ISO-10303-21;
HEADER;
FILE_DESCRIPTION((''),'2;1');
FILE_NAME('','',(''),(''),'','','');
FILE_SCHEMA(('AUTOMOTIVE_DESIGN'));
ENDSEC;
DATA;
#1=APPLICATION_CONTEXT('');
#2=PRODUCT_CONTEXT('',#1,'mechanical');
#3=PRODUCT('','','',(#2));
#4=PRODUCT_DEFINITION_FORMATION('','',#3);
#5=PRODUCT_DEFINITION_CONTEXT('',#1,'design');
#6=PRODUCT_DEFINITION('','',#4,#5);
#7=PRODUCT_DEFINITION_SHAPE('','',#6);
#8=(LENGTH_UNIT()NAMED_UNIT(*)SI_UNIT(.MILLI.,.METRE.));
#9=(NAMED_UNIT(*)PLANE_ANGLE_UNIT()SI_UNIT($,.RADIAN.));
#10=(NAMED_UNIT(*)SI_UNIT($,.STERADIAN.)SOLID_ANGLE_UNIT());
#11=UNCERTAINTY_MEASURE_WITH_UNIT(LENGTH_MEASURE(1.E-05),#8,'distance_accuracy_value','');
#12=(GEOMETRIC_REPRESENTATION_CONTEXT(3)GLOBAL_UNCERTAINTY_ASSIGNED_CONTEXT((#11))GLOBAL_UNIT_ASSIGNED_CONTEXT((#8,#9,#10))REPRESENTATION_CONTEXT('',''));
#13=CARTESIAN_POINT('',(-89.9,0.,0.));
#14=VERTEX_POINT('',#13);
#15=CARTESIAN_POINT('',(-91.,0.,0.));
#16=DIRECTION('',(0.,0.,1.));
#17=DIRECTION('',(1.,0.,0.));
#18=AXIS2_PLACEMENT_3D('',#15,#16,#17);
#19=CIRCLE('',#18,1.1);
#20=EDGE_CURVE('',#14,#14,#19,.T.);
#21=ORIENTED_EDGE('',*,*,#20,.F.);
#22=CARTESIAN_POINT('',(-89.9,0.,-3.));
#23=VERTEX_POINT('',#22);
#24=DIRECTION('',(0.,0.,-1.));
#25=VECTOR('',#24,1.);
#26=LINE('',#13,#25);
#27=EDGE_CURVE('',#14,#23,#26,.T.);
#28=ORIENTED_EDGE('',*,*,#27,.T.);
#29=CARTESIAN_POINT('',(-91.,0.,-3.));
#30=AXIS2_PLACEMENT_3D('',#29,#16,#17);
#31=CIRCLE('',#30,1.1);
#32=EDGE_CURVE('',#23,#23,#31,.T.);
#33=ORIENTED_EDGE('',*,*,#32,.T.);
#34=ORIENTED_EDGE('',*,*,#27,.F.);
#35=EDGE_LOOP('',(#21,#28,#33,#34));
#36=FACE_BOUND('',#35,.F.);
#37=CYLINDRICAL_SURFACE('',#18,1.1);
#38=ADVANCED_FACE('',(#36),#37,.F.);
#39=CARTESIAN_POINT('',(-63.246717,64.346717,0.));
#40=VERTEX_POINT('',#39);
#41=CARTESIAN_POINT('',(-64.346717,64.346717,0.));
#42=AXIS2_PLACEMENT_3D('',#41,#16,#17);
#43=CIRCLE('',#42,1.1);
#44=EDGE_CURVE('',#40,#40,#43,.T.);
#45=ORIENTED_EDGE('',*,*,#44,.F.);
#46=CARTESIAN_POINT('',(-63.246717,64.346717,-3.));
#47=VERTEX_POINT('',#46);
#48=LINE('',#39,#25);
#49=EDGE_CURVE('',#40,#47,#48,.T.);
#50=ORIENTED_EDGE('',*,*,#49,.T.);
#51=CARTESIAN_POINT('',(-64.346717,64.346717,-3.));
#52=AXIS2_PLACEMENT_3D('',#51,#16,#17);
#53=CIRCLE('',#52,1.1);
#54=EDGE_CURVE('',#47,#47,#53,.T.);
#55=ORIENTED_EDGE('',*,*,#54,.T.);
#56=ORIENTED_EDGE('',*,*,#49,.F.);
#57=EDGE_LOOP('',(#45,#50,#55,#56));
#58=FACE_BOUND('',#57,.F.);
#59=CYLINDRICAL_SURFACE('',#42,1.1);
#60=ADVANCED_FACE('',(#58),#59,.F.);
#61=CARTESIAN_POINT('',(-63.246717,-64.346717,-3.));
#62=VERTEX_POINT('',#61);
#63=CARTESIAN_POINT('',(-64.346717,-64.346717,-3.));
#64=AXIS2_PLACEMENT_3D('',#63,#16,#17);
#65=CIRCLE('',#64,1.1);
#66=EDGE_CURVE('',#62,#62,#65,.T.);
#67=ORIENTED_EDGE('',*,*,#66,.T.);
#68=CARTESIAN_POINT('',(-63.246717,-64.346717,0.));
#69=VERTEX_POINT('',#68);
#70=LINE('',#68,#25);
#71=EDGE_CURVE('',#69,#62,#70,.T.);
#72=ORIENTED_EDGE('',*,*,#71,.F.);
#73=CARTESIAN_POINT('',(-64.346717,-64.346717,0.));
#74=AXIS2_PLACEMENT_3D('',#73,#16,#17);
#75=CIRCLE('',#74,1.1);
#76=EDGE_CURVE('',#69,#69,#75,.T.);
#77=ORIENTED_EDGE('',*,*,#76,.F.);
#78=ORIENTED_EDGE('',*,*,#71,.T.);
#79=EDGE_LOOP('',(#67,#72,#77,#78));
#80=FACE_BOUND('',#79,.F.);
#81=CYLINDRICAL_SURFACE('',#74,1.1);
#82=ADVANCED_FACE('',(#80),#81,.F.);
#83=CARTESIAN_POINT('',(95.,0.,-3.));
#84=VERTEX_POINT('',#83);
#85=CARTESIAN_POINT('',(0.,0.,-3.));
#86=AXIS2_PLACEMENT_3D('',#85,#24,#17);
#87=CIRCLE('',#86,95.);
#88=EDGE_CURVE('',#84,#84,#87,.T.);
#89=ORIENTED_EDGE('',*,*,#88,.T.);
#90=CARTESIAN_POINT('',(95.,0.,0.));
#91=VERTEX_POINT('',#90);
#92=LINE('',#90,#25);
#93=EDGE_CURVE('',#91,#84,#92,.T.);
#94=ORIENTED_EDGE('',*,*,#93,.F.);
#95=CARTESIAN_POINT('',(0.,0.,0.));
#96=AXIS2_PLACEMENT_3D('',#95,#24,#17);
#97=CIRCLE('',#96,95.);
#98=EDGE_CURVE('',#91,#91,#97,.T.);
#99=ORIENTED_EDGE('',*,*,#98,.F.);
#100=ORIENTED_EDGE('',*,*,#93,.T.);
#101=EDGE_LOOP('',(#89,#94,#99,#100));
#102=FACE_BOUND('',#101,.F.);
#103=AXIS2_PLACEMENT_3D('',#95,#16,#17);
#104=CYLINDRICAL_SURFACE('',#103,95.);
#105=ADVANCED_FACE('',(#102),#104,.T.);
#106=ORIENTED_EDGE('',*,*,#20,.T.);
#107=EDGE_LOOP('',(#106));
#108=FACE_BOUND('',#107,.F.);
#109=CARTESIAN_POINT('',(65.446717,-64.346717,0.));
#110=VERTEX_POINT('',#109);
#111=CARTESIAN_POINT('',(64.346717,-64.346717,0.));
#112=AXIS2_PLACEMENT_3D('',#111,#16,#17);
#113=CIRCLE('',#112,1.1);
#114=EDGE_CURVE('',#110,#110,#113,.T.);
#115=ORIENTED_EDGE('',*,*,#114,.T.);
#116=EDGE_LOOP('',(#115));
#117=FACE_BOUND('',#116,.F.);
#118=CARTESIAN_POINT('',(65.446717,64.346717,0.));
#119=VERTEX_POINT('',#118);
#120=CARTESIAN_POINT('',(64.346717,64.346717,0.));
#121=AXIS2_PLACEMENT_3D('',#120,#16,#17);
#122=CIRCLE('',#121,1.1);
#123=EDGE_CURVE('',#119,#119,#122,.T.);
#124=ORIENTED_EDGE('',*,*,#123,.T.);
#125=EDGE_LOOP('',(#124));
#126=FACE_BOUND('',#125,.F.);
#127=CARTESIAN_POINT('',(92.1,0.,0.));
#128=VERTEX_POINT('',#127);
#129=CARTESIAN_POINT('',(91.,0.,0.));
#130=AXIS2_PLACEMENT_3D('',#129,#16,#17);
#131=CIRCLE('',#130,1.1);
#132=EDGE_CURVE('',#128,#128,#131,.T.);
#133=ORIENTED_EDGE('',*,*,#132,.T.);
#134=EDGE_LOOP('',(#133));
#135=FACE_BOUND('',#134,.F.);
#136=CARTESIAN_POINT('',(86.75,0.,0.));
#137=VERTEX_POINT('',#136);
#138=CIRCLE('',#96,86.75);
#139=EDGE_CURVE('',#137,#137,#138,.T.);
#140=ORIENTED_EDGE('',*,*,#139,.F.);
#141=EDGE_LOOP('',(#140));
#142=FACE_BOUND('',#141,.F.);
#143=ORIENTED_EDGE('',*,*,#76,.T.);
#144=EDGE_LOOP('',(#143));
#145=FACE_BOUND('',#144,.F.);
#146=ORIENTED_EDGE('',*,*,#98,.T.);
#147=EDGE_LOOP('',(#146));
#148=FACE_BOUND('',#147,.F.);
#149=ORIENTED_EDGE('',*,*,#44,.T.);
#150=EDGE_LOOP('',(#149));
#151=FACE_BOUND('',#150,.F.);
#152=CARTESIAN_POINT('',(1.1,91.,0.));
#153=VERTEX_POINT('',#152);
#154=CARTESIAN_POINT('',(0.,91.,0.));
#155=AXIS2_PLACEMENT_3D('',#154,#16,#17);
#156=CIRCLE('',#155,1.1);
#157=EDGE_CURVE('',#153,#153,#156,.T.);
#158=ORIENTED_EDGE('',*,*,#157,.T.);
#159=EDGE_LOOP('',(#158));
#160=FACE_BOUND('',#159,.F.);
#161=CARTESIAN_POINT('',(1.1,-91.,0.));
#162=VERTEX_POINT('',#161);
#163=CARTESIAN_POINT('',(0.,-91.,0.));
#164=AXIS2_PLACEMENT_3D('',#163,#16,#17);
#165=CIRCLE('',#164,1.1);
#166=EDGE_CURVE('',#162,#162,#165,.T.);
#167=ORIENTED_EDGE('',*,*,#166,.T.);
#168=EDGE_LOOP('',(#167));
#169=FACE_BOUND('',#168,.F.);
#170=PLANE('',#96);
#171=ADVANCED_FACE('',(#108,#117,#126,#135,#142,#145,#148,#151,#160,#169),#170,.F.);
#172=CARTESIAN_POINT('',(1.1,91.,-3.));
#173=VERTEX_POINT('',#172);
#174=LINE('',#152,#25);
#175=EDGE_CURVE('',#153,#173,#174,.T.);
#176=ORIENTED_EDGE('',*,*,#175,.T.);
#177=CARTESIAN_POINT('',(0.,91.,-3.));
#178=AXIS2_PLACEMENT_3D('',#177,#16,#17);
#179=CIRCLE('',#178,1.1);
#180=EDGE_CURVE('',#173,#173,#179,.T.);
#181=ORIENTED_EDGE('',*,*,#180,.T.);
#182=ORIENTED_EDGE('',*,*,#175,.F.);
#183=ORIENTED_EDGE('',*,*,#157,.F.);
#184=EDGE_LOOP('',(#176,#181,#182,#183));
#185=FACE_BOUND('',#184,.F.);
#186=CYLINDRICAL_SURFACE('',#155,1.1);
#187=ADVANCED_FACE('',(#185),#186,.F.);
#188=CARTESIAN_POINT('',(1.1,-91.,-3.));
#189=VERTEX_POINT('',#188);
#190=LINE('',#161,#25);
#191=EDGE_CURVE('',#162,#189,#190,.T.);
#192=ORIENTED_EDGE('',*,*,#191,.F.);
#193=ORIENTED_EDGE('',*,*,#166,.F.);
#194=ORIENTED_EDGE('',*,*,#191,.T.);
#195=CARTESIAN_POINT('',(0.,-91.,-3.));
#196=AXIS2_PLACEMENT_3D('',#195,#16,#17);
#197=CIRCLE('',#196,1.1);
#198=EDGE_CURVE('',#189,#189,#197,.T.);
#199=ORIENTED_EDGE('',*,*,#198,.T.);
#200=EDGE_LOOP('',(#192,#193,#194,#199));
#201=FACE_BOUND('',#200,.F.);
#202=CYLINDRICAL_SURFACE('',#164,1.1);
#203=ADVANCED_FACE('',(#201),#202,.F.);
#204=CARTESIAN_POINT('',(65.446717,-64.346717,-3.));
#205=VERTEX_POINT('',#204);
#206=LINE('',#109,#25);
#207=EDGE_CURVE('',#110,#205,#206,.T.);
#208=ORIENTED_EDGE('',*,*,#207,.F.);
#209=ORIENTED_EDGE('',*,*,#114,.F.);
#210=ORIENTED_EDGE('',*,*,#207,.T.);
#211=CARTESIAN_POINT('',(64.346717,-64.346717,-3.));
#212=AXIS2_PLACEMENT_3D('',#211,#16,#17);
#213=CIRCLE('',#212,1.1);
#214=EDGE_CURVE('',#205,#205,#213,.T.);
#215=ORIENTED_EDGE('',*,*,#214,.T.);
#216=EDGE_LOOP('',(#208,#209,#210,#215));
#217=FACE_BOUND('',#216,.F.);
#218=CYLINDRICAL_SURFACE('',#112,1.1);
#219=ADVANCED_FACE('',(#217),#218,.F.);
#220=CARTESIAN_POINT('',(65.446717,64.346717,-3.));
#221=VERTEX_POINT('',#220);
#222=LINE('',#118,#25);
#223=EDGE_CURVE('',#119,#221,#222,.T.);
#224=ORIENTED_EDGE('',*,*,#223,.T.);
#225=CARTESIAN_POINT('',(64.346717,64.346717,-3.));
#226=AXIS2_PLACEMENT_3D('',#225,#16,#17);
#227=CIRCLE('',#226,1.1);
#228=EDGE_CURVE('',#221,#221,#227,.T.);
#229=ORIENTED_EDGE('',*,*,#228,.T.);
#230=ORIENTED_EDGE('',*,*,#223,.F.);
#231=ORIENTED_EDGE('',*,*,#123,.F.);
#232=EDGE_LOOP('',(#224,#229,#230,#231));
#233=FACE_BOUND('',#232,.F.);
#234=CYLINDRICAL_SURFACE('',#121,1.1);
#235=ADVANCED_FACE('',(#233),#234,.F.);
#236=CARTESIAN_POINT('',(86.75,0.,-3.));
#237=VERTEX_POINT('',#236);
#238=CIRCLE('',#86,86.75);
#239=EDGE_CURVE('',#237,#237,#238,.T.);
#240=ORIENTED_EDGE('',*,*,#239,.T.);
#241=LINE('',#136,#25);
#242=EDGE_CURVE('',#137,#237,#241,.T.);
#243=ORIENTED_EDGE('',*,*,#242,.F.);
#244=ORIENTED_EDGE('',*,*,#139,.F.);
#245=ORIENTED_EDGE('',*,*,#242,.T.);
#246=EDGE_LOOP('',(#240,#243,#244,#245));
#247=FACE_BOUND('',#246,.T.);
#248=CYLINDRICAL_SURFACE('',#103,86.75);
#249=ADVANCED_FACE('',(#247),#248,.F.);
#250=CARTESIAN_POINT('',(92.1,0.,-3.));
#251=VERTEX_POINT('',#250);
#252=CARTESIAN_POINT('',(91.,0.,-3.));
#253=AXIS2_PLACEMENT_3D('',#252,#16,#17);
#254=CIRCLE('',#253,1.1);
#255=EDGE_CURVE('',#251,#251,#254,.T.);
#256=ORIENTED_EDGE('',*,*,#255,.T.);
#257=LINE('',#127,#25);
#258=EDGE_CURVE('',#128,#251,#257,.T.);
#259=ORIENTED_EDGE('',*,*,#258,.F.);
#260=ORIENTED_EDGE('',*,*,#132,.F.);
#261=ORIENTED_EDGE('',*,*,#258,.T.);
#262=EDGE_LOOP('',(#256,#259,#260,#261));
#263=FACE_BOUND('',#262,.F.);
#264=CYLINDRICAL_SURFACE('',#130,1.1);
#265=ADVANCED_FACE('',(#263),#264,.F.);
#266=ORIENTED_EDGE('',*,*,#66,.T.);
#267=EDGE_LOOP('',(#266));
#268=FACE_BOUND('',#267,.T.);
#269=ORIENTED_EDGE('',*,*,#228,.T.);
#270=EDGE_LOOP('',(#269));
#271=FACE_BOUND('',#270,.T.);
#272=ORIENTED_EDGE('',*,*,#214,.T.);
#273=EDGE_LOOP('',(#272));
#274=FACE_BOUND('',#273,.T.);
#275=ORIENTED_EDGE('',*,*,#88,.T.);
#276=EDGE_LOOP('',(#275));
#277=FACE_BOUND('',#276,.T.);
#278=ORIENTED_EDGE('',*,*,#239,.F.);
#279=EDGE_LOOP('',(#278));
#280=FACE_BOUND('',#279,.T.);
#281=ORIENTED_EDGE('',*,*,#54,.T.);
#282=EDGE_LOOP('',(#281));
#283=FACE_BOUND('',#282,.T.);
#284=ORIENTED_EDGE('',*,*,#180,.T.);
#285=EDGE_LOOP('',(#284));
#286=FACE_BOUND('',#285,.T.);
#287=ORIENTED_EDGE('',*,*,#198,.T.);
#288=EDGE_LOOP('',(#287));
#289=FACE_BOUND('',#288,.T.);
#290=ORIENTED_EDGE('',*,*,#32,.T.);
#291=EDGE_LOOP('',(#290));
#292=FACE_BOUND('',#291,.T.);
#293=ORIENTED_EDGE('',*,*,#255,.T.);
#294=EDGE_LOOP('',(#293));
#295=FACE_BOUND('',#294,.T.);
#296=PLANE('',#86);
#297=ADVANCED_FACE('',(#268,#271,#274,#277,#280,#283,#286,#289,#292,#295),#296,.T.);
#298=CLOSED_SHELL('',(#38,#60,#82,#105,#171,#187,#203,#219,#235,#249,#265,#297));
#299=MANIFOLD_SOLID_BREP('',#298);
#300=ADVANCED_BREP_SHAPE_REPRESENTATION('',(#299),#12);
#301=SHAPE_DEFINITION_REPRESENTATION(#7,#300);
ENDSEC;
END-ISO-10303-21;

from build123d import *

# Parameters (mm, degrees)
SKETCH001_R       = 95
SKETCH001_R_2     = 86.75
PAD_DEPTH         = 3
SKETCH_R          = 1.1
POCKET_DEPTH      = 3.001
POCKET_DEPTH_BACK = 0.001


with BuildPart() as part:
    # Sketch001 → Pad (new body)
    with BuildSketch(Plane(origin=(0, 0, 0), x_dir=(1, 0, 0), z_dir=(0, 0, -1))):
        Circle(SKETCH001_R)
        Circle(SKETCH001_R_2, mode=Mode.SUBTRACT)
    extrude(amount=PAD_DEPTH)

    # Sketch → Pocket (cut, two sides)
    with BuildSketch(Plane.XY) as pocket_sk:
        with Locations((64.346717, 64.346717)):
            Circle(SKETCH_R)
        with Locations((0, 91)):
            Circle(SKETCH_R)
        with Locations((91, 0)):
            Circle(SKETCH_R)
        with Locations((64.346717, -64.346717)):
            Circle(SKETCH_R)
        with Locations((0, -91)):
            Circle(SKETCH_R)
        with Locations((-91, 0)):
            Circle(SKETCH_R)
        with Locations((-64.346717, -64.346717)):
            Circle(SKETCH_R)
        with Locations((-64.346717, 64.346717)):
            Circle(SKETCH_R)
    extrude(amount=-POCKET_DEPTH, mode=Mode.SUBTRACT)
    extrude(pocket_sk.sketch, amount=POCKET_DEPTH_BACK, mode=Mode.SUBTRACT)


solid = part.part
